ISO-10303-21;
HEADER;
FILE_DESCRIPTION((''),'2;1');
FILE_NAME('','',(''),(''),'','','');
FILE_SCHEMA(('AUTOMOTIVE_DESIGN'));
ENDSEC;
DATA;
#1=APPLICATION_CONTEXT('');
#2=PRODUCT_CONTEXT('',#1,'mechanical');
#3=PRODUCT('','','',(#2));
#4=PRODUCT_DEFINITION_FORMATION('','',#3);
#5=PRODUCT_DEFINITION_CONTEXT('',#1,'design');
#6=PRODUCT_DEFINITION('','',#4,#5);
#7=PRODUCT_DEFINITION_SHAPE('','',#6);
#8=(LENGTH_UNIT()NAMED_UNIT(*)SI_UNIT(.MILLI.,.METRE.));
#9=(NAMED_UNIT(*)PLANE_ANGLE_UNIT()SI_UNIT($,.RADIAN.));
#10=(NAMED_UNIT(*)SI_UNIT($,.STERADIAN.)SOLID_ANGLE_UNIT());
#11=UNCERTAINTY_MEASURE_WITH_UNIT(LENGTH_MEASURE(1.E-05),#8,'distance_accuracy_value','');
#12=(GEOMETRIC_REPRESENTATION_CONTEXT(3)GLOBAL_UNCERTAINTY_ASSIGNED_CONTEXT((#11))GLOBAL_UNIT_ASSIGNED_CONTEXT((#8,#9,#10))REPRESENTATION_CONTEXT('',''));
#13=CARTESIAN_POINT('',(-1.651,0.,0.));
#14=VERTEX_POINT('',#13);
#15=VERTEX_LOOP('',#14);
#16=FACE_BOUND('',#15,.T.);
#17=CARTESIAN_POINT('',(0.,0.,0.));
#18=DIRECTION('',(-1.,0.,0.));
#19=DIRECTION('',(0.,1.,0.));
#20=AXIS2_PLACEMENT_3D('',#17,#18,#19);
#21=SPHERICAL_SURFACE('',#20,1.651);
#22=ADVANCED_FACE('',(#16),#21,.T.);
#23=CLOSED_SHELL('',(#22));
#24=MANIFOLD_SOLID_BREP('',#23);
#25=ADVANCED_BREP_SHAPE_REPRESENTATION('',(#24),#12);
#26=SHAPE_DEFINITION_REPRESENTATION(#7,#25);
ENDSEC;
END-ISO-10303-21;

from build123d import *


with BuildPart() as part:
    # Sketch1 → Revolve2 (revolve)
    with BuildSketch(Plane.XY):
        with BuildLine():
            Line((1.651, 0), (-1.651, 0))
            ThreePointArc((-1.651, 0), (0, 1.651), (1.651, 0))
        make_face()
    revolve(axis=Axis((0, 0, 0), (1, 0, 0)))


solid = part.part
